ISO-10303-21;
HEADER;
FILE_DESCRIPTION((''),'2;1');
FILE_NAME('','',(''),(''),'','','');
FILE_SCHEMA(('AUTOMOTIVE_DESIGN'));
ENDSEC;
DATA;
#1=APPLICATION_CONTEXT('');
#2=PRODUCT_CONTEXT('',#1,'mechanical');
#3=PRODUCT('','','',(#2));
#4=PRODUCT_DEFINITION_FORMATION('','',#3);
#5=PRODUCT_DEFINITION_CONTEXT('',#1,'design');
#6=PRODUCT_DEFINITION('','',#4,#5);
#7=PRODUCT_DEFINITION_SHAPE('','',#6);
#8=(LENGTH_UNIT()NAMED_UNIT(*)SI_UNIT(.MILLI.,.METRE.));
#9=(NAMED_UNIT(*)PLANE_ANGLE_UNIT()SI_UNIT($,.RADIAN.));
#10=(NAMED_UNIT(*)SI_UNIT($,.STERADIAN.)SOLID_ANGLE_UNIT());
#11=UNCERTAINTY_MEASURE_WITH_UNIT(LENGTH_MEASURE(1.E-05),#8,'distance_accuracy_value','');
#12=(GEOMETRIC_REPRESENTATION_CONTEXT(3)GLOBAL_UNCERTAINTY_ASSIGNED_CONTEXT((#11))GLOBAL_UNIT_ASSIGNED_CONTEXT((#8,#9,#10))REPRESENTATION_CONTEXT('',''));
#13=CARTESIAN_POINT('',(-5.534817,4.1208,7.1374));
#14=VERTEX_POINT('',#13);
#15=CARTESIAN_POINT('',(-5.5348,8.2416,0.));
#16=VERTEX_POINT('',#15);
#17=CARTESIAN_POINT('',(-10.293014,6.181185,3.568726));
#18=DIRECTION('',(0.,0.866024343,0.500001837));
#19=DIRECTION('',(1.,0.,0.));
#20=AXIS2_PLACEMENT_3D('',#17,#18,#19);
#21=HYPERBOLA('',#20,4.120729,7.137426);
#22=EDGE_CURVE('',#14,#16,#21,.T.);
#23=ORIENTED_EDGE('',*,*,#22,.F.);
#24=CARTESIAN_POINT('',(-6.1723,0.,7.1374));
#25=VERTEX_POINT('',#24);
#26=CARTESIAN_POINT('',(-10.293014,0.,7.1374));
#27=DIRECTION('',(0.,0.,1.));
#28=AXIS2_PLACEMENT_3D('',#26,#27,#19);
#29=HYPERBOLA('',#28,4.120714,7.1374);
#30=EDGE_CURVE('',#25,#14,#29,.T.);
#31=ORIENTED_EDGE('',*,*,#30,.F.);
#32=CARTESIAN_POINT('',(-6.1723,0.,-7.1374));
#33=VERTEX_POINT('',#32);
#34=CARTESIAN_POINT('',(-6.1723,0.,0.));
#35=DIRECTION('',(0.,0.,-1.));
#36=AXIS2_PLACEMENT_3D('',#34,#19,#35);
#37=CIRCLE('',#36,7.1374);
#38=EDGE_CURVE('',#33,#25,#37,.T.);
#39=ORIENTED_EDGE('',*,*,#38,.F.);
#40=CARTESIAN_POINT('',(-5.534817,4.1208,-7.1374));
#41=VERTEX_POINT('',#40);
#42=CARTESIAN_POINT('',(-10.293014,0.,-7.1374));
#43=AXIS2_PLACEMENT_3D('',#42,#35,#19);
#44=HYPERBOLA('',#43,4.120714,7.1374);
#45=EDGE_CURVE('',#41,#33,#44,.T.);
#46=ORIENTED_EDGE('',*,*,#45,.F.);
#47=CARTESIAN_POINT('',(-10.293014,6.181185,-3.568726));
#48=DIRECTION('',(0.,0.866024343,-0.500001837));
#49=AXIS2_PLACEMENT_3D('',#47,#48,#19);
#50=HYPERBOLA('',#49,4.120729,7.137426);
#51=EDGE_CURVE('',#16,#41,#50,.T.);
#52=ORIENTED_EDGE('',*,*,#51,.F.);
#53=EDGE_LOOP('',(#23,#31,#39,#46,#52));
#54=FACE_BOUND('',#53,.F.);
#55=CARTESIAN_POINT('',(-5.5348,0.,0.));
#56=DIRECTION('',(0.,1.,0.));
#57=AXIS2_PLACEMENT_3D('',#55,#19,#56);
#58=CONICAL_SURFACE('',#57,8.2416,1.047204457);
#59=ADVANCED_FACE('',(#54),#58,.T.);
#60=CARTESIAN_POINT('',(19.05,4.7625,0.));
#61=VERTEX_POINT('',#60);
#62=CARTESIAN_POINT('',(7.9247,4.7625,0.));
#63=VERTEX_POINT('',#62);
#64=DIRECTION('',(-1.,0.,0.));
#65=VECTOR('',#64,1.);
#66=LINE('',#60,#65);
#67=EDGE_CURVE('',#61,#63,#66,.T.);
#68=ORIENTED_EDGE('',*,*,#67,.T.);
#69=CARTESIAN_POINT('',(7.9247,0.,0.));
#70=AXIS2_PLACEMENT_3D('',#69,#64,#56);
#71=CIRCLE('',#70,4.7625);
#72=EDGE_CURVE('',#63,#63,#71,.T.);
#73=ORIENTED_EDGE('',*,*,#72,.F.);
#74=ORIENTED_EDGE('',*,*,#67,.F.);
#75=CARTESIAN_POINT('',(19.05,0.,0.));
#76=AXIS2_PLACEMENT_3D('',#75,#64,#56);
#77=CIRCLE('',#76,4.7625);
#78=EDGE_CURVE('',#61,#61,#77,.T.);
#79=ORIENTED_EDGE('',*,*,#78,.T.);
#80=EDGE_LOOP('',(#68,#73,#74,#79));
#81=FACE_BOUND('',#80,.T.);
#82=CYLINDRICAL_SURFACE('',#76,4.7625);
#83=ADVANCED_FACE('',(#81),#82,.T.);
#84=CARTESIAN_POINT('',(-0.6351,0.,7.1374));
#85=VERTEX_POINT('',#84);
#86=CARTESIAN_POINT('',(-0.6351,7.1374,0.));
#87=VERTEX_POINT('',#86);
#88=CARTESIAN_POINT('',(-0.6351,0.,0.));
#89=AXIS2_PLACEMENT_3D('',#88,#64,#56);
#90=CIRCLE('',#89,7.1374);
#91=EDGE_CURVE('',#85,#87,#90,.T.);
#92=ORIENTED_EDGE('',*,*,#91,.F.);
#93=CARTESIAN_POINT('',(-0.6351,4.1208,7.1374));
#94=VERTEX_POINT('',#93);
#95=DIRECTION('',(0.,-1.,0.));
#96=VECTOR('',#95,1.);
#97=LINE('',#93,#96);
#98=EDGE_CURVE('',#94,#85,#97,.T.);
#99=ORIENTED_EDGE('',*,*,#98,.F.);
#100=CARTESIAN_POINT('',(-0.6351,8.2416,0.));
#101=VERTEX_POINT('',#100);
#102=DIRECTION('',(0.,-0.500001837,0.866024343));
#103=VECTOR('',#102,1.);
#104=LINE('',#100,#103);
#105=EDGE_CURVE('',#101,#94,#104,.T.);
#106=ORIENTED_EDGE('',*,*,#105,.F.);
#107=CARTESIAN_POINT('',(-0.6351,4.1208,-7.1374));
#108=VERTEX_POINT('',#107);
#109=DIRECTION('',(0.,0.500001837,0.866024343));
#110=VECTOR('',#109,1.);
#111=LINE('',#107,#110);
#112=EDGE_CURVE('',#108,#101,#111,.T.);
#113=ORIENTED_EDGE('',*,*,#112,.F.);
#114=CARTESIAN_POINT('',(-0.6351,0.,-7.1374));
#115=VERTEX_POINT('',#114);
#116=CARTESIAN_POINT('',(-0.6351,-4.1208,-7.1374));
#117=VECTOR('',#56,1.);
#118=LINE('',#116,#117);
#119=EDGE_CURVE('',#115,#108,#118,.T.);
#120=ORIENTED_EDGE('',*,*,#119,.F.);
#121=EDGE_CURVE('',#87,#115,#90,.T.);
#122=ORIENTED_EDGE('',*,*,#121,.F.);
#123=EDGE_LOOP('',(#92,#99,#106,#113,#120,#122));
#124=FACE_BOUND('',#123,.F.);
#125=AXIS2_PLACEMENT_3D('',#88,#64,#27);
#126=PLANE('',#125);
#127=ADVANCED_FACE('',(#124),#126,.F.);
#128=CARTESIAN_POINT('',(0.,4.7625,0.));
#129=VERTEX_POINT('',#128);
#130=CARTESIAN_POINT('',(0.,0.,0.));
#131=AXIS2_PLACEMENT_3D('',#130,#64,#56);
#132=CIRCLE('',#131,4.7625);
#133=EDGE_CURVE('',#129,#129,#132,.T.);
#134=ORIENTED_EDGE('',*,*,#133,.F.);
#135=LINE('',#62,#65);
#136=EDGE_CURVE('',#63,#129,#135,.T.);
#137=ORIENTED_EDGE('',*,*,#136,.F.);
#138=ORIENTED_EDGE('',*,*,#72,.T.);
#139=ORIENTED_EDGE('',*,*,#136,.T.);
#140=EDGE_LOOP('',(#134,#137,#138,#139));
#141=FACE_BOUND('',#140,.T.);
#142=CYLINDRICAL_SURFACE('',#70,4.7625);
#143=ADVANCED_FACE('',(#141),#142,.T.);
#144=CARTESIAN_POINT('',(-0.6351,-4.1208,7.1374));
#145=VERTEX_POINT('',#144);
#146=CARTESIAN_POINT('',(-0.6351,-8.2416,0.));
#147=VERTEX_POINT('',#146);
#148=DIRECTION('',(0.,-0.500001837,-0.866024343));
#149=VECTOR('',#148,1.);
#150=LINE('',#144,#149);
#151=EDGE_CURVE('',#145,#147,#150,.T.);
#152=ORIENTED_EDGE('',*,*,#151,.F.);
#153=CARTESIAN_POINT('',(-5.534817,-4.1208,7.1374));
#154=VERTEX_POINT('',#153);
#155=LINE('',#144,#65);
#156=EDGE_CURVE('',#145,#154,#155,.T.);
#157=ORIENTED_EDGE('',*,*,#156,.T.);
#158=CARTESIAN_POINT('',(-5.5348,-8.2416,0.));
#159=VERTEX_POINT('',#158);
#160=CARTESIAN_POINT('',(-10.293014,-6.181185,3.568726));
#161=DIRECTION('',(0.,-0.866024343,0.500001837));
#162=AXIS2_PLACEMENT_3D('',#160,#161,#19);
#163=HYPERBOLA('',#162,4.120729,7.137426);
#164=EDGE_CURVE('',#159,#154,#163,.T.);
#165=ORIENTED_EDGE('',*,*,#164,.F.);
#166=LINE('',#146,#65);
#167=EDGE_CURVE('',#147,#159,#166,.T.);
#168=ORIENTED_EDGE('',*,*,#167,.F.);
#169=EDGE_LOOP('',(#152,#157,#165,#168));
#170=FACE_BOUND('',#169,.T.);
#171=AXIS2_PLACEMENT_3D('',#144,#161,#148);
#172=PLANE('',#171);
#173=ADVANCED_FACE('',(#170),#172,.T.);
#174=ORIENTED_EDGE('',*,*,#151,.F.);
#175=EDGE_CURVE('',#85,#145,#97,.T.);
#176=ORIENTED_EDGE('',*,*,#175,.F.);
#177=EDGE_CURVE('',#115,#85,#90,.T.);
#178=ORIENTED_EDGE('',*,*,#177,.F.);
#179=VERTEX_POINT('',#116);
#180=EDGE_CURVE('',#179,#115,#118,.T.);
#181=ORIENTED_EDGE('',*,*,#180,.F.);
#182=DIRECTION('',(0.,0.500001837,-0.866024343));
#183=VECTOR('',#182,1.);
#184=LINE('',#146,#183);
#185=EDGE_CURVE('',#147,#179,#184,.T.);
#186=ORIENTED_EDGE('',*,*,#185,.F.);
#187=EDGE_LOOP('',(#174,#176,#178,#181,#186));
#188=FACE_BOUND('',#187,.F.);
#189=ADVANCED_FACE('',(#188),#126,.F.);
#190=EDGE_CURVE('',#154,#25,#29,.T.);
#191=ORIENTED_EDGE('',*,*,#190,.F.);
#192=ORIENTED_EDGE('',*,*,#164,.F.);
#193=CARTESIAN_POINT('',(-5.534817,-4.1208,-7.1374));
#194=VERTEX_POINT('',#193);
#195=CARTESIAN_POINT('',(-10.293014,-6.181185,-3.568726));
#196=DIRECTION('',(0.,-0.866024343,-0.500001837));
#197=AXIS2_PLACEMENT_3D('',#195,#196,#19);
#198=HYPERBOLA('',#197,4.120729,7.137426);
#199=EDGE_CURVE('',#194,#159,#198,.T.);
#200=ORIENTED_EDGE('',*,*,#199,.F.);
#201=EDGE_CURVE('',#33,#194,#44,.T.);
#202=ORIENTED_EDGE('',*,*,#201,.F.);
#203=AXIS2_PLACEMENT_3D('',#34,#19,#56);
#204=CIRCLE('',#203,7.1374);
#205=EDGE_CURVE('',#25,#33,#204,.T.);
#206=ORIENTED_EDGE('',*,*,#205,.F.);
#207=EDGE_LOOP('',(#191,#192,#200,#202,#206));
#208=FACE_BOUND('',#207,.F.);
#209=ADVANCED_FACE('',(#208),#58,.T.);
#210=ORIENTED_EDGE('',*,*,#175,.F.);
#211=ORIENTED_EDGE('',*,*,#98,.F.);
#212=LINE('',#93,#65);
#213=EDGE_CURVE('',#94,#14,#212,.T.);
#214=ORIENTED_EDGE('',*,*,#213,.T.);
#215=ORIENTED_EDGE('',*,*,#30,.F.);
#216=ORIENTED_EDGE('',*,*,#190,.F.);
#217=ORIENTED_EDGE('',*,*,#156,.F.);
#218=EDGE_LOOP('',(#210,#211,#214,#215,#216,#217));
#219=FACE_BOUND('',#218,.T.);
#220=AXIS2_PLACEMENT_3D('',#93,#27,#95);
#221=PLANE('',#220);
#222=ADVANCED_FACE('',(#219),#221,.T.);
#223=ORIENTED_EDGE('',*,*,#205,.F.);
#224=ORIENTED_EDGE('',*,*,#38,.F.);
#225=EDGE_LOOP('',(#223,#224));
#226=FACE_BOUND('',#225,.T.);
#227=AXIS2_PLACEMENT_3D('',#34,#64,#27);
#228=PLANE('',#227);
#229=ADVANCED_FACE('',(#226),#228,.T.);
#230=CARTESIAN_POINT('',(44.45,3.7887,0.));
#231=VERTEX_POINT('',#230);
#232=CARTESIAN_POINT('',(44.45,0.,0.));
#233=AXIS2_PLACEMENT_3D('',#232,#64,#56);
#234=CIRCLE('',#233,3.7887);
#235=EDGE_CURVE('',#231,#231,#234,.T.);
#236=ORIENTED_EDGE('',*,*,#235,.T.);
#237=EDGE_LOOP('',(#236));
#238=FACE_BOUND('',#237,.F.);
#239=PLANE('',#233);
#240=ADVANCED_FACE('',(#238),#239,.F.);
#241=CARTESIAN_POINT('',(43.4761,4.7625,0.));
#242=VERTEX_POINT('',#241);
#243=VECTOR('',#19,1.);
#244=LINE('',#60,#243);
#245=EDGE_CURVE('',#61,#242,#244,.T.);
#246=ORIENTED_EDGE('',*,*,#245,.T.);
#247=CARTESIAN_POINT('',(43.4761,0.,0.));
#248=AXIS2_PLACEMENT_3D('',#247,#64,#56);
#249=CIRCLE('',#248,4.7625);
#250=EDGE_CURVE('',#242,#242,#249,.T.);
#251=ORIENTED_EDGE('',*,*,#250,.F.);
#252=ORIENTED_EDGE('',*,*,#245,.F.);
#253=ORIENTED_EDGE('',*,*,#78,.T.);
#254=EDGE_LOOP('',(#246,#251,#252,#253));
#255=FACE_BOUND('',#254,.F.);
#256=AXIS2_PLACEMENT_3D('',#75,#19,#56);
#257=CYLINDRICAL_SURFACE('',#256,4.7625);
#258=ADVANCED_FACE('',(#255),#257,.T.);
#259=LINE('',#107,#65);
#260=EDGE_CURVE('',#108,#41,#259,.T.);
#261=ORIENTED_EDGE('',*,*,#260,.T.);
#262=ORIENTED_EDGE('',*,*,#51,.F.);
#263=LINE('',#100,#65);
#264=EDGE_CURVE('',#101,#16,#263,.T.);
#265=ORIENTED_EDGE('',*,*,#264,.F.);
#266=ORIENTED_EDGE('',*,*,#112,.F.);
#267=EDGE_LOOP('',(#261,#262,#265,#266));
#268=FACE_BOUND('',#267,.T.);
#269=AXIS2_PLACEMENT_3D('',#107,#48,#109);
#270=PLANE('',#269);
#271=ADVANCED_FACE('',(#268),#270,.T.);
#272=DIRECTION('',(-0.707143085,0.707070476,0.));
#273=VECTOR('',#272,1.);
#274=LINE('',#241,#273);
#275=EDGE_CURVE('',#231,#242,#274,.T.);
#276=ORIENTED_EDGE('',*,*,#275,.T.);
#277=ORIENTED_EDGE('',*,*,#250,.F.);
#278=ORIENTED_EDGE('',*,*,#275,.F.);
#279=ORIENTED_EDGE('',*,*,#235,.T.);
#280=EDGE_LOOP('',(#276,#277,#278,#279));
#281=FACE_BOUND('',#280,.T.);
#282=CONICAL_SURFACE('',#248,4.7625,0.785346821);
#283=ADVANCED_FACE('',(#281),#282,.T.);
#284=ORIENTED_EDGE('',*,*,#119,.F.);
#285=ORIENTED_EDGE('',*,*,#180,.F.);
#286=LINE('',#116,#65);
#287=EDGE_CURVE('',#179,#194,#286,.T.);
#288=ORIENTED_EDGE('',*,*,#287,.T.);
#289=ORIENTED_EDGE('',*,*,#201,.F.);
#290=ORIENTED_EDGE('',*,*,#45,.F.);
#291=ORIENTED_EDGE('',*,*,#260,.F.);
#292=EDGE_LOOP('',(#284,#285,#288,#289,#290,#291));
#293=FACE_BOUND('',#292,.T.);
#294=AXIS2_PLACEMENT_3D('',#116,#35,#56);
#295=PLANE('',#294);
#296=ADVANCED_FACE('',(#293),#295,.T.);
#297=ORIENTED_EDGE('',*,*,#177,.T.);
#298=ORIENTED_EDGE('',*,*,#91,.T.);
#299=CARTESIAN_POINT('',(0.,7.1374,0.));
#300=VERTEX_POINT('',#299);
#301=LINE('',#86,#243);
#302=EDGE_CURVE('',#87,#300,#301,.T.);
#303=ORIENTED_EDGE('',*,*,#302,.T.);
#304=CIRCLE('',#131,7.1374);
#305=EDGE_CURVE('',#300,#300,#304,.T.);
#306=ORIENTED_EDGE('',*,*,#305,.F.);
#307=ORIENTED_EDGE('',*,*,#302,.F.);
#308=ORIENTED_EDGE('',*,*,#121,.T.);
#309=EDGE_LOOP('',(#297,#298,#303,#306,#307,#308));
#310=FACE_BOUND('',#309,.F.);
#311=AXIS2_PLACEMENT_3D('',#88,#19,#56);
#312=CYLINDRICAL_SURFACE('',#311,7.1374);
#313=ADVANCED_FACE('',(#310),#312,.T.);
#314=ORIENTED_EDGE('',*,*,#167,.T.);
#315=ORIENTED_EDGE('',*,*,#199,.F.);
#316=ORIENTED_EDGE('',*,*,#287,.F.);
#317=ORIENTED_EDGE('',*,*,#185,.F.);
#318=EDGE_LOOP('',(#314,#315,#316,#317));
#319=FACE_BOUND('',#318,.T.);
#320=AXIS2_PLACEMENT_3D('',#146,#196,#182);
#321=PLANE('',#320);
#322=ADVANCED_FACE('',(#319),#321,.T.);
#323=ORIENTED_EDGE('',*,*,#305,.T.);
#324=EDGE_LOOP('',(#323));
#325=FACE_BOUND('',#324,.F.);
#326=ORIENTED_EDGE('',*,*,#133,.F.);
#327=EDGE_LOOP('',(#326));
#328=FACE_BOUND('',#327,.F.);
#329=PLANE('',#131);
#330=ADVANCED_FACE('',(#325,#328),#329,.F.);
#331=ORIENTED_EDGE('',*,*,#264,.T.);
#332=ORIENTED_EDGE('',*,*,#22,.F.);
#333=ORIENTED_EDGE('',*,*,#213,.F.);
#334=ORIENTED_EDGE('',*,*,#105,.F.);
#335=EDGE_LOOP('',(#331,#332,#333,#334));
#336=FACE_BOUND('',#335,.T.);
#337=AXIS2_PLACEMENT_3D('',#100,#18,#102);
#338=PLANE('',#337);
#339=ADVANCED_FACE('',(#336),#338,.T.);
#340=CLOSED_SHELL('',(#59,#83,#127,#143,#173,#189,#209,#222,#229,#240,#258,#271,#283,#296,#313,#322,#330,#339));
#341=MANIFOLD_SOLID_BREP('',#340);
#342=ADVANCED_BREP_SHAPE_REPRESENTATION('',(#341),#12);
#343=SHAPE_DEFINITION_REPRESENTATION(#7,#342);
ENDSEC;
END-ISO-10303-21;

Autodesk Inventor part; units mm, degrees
ref_plane "YZ Plane" through (0, 0, 0) normal (1, 0, 0) x (0, 1, 0)
ref_plane "XZ Plane" through (0, 0, 0) normal (0, 1, 0) x (-1, 0, 0)
sketch "Sketch1" plane through (0, 0, 0) normal (0, 0, 1) x (1, 0, 0)
  line L0 (0, 7.1374) -> (0, 4.7625)
  line L1 (19.05, 4.7625) -> (44.45, 4.7625)
  line L2 (44.45, 4.7625) -> (44.45, 0)
  line L3 (44.45, 0) -> (-0.6351, 0)
  line L4 (-9.6521, 0) -> (53.467, 0) projected
  line L5 (-0.6351, 0) -> (-0.6351, 7.1374)
  line L6 (-0.6351, 7.1374) -> (0, 7.1374)
  line L7 (19.05, 4.7625) -> (7.9247, 4.7625)
  line L8 (7.9247, 4.7625) -> (0, 4.7625)
  line L9 (0, -1.4275) -> (0, 8.5649) projected
  dimension "d0" = 44.45
  dimension "d1" = 25.4
  dimension "d2" = 9.525
  dimension "d9" = 0.6351
  dimension "d10" = 14.2748
  dimension "d13" = 11.1253
  dimension "d14" = 9.525
revolve "Body" add sketch "Sketch1" angle 360 about axis through (44.45, 0, 0) along (-1, 0, 0)
sketch "Sketch2" plane through (-0.6351, 0, 0) normal (-1, 0, 0) x (0, 0, 1)
  line L0 (0, 8.2416) -> (7.1374, 4.1208)
  line L1 (7.1374, 4.1208) -> (7.1374, -4.1208)
  line L2 (7.1374, -4.1208) -> (0, -8.2416)
  line L3 (0, -8.2416) -> (-7.1374, -4.1208)
  line L4 (-7.1374, -4.1208) -> (-7.1374, 4.1208)
  line L5 (-7.1374, 4.1208) -> (0, 8.2416)
  point P0 (0, 0)
  point P1 (0, 0)
  dimension "d11" = 14.2748
extrude "Head" add sketch "Sketch2" along normal blind 5.5372
sketch "Sketch4" plane through (0, 0, 0) normal (0, 0, 1) x (1, 0, 0)
  line L0 (-6.1723, 7.1374) -> (-6.1723, 8.2416)
  line L1 (-6.1723, 8.2416) -> (-5.5348, 8.2416)
  line L2 (-5.5348, 8.2416) -> (-6.1723, 7.1374)
  line L3 (-7.2797, 0) -> (0.4723, 0) projected
  line L4 (-0.6351, 8.2416) -> (-6.1723, 8.2416) projected
  line L5 (-6.1723, 4.1208) -> (-6.1723, 8.2416) projected
  dimension "d5" = 30
  dimension "d19" = 14.2748
revolve "Chamfer1" cut sketch "Sketch4" angle 360 about axis through (-10, 0, 0) along (1, 0, 0)
thread "Thread" size "3/8-16 UNC" class "2A" standard "ANSI Unified Screw Threads" length 25.4
chamfer "Chamfer2" distance 0.9738 distance2 0.9739 1 edges at (44.45, -4.7625, 0) measured on face at (44.45, -1.2549, 0.1261)
ref_plane "Work Plane1" through (1.525, 0, 0) normal (0, 0, 1) x (1, 0, 0)
equation "\"d0\" = NLG"
equation "\"d1\" = GEL"
equation "\"d2\" = GD"
equation "\"d10\" = SD2"
equation "\"d14\" = BDM"
equation "\"d11\" = SW"
equation "\"d3\" = KOH - SD"
equation "\"d5\" = ANG1"
equation "\"d19\" = SW0"
equation "\"d15\" = GEL"
equation "\"d6\" = -0.5 * SPD + 0.5 * GD"
equation "\"NLG\" = 44.45"
equation "\"GD\" = 9.525"
equation "\"BDM\" = 9.525"
equation "\"KOH\" = 6.1722"
equation "\"GEL\" = 25.4"
equation "\"SW\" = 14.2748"
equation "\"SW0\" = SW"
equation "\"SPD\" = GD1"
equation "\"SD2\" = SW"
equation "\"SD\" = 0.635"
equation "\"ANG1\" = 30deg"
equation "\"GAL\" = 11.1252"
equation "\"GUL\" = 0.97384"
equation "\"RR\" = 0.381"
equation "\"WFT\" = SD"
equation "\"GD1\" = 7.57733"
equation "\"THREADDIA\" = 9.525"
equation "\"SDH\" = SW"
equation "\"SDHG\" = 7.9248"
equation "\"TOA\" = 30deg"
equation "\"FAWI\" = 45deg"
equation "\"NND\" = 9.525"
equation "\"E0\" = 16.48739"
properties part number "AS 2465 - 3/8 x 1 3/4  UNC" material "Steel, Mild"
